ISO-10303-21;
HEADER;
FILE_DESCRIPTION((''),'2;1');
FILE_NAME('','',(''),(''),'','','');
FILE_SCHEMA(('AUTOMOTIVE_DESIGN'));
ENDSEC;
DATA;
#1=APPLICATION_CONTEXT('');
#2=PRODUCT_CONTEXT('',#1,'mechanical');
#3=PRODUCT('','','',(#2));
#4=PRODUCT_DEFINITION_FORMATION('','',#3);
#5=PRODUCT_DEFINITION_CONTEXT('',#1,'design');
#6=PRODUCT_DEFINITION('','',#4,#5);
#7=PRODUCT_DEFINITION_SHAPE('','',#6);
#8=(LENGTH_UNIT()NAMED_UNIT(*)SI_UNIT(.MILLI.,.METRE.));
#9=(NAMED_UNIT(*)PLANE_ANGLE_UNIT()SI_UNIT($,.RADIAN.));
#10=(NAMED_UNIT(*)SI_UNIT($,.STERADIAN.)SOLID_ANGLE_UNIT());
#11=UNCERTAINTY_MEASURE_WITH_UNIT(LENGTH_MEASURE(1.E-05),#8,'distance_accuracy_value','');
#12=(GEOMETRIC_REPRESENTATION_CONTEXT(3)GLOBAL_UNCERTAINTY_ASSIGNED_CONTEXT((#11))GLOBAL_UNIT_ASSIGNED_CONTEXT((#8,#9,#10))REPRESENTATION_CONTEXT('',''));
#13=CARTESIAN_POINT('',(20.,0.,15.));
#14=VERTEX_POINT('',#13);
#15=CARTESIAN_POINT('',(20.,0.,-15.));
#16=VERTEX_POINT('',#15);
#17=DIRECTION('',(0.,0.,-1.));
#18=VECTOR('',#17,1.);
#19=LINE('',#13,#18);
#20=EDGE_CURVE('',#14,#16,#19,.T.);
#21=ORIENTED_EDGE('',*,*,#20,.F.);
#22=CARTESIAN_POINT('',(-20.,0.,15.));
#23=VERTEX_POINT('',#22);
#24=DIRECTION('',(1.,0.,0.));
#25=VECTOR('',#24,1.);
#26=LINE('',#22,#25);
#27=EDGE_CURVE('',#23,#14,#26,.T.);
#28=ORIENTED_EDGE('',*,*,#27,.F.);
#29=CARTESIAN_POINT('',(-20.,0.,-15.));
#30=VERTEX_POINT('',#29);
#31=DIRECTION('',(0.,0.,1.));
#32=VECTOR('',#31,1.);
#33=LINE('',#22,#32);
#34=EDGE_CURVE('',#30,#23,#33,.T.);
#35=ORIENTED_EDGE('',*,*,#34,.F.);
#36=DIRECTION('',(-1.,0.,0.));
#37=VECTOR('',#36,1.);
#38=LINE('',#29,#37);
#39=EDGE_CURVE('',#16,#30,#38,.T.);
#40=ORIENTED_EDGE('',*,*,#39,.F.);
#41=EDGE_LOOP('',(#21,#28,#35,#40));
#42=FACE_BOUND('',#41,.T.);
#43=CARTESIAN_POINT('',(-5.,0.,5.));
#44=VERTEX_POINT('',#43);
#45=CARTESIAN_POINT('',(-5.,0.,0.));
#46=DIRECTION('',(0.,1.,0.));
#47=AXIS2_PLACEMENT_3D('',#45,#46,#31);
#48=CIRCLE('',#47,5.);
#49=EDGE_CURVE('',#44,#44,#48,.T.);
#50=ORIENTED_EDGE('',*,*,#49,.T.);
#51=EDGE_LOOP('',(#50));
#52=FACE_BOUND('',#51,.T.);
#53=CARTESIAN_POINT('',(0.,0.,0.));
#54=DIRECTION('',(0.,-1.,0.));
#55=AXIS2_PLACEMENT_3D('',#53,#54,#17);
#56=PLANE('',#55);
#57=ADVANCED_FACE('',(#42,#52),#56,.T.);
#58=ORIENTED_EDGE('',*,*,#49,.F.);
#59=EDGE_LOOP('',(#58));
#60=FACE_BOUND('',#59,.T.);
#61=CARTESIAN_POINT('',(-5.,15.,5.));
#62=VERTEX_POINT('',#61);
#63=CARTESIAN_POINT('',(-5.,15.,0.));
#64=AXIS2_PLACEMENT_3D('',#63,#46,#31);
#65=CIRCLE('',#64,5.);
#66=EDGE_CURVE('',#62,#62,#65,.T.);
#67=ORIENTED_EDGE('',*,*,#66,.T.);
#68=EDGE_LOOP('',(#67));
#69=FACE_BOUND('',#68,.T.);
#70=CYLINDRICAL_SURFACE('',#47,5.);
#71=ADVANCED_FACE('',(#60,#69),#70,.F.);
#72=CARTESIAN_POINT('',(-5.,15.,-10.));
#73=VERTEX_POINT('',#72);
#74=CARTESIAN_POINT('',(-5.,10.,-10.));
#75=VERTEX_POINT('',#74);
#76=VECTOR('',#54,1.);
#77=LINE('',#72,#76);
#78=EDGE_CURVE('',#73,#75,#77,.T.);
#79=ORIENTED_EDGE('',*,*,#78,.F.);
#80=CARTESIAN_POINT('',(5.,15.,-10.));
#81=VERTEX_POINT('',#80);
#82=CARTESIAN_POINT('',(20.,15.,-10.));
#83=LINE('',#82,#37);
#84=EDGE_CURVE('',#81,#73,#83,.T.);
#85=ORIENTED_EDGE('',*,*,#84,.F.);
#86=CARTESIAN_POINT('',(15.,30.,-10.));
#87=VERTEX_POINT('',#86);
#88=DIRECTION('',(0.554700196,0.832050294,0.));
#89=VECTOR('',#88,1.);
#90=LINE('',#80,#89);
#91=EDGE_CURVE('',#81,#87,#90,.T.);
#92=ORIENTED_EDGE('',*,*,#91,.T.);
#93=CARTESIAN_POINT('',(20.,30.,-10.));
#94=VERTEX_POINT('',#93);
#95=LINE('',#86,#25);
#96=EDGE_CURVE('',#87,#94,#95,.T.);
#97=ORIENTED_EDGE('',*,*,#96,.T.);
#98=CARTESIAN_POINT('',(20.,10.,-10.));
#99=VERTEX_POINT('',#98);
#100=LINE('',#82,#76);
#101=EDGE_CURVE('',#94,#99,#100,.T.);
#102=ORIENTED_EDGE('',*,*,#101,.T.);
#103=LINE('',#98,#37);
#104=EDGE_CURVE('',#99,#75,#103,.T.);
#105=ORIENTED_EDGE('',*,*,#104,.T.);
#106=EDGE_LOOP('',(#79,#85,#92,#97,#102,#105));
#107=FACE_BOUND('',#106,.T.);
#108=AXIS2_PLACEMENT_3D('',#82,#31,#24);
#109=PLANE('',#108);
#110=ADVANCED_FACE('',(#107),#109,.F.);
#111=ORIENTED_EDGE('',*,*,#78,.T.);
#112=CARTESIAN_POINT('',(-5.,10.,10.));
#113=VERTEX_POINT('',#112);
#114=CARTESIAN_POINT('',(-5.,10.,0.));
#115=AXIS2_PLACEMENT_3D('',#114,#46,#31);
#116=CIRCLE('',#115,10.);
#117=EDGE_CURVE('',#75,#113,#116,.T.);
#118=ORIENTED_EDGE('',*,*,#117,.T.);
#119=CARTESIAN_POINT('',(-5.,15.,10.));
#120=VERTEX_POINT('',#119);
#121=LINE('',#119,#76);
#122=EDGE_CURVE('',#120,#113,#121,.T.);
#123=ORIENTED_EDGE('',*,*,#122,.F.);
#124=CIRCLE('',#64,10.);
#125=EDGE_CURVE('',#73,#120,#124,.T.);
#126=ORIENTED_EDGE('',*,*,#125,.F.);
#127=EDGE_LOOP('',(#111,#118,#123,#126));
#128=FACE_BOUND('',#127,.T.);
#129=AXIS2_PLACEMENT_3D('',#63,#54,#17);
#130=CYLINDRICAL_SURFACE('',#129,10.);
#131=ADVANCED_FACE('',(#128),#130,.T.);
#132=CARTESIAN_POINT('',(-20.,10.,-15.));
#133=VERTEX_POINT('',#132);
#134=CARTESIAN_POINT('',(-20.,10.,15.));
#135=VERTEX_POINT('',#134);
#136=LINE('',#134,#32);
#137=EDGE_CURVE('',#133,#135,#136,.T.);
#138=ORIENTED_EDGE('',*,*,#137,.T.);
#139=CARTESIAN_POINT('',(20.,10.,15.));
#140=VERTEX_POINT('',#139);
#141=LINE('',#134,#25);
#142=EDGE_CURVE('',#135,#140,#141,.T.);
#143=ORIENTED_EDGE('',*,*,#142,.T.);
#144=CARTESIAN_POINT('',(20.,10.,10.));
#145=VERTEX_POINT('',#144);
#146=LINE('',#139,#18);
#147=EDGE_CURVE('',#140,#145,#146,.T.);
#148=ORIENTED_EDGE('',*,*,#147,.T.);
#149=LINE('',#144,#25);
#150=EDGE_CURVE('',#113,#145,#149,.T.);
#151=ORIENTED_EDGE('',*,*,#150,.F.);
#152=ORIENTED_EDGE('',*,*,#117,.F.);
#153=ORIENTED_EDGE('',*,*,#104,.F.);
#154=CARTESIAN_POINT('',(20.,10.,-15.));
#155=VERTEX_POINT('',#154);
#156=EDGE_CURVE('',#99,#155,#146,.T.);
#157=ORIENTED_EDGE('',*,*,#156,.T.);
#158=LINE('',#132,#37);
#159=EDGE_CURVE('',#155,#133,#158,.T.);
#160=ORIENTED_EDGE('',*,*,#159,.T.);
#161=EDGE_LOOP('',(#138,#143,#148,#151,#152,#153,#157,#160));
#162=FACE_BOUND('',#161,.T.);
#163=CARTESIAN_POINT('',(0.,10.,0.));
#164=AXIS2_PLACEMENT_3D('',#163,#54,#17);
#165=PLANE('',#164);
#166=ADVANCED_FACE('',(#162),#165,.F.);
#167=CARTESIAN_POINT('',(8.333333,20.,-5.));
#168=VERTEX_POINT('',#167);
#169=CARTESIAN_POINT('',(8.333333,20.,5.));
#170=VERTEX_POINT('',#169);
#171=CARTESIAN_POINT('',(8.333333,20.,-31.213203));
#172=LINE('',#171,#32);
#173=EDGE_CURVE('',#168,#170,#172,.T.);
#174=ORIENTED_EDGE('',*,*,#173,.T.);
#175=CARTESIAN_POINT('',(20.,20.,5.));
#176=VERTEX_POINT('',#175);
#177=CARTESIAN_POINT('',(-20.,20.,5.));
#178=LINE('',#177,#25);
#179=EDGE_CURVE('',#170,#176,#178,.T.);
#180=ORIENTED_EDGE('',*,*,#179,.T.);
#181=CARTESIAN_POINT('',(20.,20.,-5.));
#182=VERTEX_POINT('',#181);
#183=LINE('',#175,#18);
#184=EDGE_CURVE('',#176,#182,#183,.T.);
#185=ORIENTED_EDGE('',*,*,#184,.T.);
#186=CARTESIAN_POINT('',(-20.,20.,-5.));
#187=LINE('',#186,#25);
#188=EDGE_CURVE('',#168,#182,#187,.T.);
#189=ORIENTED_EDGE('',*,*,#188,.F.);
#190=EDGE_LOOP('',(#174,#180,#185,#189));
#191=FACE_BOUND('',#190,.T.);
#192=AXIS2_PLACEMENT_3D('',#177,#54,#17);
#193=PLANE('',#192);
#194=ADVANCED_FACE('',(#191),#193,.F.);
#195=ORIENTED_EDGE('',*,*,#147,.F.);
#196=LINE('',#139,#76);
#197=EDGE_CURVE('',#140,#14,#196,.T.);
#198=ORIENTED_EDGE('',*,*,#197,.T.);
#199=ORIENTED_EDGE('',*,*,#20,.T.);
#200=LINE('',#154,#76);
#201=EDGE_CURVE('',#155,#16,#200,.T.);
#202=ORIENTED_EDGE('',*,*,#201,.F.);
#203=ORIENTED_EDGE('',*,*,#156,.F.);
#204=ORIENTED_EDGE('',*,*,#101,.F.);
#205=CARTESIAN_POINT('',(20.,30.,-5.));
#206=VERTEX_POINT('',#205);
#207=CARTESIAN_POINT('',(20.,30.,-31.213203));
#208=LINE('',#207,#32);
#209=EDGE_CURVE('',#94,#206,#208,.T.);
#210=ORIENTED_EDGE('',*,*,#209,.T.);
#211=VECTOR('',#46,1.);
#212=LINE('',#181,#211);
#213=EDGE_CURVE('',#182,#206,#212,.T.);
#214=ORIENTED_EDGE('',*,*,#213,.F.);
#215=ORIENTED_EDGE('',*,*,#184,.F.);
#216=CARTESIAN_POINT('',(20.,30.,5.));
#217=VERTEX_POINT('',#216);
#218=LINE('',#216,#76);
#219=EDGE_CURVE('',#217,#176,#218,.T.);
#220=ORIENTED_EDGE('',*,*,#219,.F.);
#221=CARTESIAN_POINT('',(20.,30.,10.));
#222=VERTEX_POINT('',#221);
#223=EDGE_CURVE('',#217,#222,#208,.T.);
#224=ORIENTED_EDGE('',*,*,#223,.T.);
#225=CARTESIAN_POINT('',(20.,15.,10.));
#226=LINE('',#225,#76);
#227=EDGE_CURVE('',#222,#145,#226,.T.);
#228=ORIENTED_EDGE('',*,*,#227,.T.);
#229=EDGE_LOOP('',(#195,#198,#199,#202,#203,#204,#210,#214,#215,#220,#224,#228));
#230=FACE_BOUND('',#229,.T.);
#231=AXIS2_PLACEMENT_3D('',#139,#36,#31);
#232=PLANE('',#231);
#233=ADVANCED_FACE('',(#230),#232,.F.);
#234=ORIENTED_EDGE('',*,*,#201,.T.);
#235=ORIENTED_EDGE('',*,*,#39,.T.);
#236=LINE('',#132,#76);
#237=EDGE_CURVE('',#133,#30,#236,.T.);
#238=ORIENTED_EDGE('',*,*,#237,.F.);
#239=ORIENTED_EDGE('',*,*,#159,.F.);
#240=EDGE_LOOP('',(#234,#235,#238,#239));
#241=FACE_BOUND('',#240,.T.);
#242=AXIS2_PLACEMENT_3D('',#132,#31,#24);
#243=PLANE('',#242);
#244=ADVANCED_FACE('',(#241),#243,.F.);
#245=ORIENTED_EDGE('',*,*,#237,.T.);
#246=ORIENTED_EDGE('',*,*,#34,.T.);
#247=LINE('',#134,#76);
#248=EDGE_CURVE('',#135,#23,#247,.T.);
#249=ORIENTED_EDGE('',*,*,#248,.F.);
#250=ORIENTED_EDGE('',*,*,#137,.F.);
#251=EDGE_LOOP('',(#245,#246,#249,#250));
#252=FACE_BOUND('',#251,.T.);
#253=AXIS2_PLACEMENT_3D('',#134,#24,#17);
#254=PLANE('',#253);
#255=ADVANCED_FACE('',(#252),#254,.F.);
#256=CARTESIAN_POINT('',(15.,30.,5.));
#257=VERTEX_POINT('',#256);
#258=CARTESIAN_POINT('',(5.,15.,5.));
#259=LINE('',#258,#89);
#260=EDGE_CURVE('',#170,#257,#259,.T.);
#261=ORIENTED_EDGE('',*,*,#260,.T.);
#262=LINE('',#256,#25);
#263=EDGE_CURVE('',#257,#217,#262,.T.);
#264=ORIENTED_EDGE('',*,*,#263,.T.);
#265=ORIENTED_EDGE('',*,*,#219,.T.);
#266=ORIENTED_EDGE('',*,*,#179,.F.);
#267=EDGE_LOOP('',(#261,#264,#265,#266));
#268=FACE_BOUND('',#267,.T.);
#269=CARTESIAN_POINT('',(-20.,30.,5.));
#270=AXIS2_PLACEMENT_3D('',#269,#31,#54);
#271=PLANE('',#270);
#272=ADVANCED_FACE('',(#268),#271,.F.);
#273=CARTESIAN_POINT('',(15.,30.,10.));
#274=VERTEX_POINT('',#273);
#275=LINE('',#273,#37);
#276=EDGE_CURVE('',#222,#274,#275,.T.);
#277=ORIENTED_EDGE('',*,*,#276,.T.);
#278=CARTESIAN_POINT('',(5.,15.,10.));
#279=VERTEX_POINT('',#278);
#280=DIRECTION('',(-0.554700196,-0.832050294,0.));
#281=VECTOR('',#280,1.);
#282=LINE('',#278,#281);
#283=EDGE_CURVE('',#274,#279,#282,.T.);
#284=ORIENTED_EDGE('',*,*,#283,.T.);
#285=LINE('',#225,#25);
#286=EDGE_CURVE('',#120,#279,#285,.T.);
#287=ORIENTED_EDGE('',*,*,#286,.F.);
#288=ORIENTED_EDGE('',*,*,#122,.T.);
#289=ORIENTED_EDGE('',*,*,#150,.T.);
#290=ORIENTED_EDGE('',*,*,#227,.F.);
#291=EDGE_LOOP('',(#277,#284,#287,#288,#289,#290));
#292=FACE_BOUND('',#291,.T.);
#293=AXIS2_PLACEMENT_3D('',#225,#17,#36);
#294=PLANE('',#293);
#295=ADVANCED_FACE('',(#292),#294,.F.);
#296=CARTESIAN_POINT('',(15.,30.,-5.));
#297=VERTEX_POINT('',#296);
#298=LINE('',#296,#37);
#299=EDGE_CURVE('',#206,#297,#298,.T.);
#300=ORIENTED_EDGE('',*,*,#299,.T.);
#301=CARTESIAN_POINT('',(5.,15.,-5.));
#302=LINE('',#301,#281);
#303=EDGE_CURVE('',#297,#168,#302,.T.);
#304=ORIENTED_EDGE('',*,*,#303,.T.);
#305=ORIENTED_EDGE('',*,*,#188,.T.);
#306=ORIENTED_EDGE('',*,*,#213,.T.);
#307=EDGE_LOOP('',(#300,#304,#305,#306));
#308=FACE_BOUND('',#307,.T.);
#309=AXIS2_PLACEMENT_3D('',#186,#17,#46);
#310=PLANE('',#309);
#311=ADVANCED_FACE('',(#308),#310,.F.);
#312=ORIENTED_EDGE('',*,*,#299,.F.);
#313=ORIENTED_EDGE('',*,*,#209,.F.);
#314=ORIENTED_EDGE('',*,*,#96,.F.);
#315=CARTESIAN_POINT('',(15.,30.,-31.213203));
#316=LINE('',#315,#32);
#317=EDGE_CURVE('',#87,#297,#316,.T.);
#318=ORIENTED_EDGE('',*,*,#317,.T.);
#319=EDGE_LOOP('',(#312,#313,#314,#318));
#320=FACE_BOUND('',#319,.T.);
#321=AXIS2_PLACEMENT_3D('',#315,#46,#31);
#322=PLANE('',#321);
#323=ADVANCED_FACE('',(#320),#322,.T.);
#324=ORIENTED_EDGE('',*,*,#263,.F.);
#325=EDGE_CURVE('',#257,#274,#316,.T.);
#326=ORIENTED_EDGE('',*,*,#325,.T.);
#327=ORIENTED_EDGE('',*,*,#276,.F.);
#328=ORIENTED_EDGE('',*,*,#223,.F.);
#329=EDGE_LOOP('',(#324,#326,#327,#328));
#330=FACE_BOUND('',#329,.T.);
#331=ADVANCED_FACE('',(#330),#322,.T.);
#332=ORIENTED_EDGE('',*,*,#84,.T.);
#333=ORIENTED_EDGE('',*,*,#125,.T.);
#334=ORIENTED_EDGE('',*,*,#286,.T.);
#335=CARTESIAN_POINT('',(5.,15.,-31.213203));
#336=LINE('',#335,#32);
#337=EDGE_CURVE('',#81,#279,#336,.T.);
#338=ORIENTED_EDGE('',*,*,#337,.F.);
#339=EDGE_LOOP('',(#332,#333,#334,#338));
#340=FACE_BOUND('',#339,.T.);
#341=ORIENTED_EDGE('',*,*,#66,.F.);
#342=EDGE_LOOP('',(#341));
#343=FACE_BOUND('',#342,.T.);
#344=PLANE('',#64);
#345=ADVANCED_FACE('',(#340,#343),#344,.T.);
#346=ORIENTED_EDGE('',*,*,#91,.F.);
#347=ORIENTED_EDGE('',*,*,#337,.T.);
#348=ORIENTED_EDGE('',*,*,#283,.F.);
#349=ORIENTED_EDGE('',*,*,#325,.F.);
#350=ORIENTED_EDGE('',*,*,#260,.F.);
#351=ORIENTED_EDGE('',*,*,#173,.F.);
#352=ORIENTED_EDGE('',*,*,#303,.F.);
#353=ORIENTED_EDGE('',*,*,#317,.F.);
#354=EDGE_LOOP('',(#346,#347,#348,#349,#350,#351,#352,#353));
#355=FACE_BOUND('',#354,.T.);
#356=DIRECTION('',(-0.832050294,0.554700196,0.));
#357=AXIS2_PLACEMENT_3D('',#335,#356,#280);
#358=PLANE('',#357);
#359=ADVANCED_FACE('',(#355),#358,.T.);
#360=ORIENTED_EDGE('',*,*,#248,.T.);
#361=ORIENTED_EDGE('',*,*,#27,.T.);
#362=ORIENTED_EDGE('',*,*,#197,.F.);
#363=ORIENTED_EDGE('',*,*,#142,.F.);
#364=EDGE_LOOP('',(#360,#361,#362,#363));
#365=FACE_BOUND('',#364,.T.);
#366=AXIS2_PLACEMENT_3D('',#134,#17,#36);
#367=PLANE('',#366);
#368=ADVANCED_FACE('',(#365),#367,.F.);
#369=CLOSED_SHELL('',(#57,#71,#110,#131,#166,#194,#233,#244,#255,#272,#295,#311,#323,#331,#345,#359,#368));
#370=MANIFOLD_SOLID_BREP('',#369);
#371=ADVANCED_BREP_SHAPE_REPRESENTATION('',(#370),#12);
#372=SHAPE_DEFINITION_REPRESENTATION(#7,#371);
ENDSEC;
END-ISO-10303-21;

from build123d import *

# Parameters (mm, degrees)
ESBO_O1_W                = 40
ESBO_O1_H                = 30
RESSALTO_EXTRUS_O1_DEPTH = 10
RESSALTO_EXTRUS_O2_DEPTH = 5
RESSALTO_EXTRUS_O3_DEPTH = 20
ESBO_O4_W                = 10
ESBO_O4_H                = 10
CORTE_EXTRUS_O1_DEPTH    = 41
ESBO_O5_R                = 5
CORTE_EXTRUS_O2_DEPTH    = 16


with BuildPart() as part:
    # Esboço1 → Ressalto-extrusão1 (new body)
    with BuildSketch(Plane(origin=(0, 0, 0), x_dir=(1, 0, 0), z_dir=(0, 1, 0))):
        Rectangle(ESBO_O1_W, ESBO_O1_H)
    extrude(amount=RESSALTO_EXTRUS_O1_DEPTH)

    # Esboço2 → Ressalto-extrusão2 (add)
    with BuildSketch(Plane(origin=(0, 10, 0), x_dir=(1, 0, 0), z_dir=(0, 1, 0))):
        with BuildLine():
            Line((20, 10), (20, -10))
            Line((20, -10), (-5, -10))
            ThreePointArc((-5, -10), (-15, 0), (-5, 10))
            Line((-5, 10), (20, 10))
        make_face()
    extrude(amount=RESSALTO_EXTRUS_O2_DEPTH)

    # Esboço3 → Ressalto-extrusão3 (add)
    with BuildSketch(Plane.XY.offset(10)):
        Polygon((20, 15), (5, 15), (15, 30), (20, 30), align=None)
    extrude(amount=-RESSALTO_EXTRUS_O3_DEPTH)

    # Esboço4 → Corte-extrusão1 (cut, through all)
    with BuildSketch(Plane(origin=(20, 0, 0), x_dir=(0, 0, -1), z_dir=(1, 0, 0))):
        with Locations((0, 25)):
            Rectangle(ESBO_O4_W, ESBO_O4_H)
    extrude(amount=-CORTE_EXTRUS_O1_DEPTH, mode=Mode.SUBTRACT)

    # Esboço5 → Corte-extrusão2 (cut, through all)
    with BuildSketch(Plane(origin=(0, 15, 0), x_dir=(1, 0, 0), z_dir=(0, 1, 0))):
        with Locations((-5, 0)):
            Circle(ESBO_O5_R)
    extrude(amount=-CORTE_EXTRUS_O2_DEPTH, mode=Mode.SUBTRACT)


solid = part.part
